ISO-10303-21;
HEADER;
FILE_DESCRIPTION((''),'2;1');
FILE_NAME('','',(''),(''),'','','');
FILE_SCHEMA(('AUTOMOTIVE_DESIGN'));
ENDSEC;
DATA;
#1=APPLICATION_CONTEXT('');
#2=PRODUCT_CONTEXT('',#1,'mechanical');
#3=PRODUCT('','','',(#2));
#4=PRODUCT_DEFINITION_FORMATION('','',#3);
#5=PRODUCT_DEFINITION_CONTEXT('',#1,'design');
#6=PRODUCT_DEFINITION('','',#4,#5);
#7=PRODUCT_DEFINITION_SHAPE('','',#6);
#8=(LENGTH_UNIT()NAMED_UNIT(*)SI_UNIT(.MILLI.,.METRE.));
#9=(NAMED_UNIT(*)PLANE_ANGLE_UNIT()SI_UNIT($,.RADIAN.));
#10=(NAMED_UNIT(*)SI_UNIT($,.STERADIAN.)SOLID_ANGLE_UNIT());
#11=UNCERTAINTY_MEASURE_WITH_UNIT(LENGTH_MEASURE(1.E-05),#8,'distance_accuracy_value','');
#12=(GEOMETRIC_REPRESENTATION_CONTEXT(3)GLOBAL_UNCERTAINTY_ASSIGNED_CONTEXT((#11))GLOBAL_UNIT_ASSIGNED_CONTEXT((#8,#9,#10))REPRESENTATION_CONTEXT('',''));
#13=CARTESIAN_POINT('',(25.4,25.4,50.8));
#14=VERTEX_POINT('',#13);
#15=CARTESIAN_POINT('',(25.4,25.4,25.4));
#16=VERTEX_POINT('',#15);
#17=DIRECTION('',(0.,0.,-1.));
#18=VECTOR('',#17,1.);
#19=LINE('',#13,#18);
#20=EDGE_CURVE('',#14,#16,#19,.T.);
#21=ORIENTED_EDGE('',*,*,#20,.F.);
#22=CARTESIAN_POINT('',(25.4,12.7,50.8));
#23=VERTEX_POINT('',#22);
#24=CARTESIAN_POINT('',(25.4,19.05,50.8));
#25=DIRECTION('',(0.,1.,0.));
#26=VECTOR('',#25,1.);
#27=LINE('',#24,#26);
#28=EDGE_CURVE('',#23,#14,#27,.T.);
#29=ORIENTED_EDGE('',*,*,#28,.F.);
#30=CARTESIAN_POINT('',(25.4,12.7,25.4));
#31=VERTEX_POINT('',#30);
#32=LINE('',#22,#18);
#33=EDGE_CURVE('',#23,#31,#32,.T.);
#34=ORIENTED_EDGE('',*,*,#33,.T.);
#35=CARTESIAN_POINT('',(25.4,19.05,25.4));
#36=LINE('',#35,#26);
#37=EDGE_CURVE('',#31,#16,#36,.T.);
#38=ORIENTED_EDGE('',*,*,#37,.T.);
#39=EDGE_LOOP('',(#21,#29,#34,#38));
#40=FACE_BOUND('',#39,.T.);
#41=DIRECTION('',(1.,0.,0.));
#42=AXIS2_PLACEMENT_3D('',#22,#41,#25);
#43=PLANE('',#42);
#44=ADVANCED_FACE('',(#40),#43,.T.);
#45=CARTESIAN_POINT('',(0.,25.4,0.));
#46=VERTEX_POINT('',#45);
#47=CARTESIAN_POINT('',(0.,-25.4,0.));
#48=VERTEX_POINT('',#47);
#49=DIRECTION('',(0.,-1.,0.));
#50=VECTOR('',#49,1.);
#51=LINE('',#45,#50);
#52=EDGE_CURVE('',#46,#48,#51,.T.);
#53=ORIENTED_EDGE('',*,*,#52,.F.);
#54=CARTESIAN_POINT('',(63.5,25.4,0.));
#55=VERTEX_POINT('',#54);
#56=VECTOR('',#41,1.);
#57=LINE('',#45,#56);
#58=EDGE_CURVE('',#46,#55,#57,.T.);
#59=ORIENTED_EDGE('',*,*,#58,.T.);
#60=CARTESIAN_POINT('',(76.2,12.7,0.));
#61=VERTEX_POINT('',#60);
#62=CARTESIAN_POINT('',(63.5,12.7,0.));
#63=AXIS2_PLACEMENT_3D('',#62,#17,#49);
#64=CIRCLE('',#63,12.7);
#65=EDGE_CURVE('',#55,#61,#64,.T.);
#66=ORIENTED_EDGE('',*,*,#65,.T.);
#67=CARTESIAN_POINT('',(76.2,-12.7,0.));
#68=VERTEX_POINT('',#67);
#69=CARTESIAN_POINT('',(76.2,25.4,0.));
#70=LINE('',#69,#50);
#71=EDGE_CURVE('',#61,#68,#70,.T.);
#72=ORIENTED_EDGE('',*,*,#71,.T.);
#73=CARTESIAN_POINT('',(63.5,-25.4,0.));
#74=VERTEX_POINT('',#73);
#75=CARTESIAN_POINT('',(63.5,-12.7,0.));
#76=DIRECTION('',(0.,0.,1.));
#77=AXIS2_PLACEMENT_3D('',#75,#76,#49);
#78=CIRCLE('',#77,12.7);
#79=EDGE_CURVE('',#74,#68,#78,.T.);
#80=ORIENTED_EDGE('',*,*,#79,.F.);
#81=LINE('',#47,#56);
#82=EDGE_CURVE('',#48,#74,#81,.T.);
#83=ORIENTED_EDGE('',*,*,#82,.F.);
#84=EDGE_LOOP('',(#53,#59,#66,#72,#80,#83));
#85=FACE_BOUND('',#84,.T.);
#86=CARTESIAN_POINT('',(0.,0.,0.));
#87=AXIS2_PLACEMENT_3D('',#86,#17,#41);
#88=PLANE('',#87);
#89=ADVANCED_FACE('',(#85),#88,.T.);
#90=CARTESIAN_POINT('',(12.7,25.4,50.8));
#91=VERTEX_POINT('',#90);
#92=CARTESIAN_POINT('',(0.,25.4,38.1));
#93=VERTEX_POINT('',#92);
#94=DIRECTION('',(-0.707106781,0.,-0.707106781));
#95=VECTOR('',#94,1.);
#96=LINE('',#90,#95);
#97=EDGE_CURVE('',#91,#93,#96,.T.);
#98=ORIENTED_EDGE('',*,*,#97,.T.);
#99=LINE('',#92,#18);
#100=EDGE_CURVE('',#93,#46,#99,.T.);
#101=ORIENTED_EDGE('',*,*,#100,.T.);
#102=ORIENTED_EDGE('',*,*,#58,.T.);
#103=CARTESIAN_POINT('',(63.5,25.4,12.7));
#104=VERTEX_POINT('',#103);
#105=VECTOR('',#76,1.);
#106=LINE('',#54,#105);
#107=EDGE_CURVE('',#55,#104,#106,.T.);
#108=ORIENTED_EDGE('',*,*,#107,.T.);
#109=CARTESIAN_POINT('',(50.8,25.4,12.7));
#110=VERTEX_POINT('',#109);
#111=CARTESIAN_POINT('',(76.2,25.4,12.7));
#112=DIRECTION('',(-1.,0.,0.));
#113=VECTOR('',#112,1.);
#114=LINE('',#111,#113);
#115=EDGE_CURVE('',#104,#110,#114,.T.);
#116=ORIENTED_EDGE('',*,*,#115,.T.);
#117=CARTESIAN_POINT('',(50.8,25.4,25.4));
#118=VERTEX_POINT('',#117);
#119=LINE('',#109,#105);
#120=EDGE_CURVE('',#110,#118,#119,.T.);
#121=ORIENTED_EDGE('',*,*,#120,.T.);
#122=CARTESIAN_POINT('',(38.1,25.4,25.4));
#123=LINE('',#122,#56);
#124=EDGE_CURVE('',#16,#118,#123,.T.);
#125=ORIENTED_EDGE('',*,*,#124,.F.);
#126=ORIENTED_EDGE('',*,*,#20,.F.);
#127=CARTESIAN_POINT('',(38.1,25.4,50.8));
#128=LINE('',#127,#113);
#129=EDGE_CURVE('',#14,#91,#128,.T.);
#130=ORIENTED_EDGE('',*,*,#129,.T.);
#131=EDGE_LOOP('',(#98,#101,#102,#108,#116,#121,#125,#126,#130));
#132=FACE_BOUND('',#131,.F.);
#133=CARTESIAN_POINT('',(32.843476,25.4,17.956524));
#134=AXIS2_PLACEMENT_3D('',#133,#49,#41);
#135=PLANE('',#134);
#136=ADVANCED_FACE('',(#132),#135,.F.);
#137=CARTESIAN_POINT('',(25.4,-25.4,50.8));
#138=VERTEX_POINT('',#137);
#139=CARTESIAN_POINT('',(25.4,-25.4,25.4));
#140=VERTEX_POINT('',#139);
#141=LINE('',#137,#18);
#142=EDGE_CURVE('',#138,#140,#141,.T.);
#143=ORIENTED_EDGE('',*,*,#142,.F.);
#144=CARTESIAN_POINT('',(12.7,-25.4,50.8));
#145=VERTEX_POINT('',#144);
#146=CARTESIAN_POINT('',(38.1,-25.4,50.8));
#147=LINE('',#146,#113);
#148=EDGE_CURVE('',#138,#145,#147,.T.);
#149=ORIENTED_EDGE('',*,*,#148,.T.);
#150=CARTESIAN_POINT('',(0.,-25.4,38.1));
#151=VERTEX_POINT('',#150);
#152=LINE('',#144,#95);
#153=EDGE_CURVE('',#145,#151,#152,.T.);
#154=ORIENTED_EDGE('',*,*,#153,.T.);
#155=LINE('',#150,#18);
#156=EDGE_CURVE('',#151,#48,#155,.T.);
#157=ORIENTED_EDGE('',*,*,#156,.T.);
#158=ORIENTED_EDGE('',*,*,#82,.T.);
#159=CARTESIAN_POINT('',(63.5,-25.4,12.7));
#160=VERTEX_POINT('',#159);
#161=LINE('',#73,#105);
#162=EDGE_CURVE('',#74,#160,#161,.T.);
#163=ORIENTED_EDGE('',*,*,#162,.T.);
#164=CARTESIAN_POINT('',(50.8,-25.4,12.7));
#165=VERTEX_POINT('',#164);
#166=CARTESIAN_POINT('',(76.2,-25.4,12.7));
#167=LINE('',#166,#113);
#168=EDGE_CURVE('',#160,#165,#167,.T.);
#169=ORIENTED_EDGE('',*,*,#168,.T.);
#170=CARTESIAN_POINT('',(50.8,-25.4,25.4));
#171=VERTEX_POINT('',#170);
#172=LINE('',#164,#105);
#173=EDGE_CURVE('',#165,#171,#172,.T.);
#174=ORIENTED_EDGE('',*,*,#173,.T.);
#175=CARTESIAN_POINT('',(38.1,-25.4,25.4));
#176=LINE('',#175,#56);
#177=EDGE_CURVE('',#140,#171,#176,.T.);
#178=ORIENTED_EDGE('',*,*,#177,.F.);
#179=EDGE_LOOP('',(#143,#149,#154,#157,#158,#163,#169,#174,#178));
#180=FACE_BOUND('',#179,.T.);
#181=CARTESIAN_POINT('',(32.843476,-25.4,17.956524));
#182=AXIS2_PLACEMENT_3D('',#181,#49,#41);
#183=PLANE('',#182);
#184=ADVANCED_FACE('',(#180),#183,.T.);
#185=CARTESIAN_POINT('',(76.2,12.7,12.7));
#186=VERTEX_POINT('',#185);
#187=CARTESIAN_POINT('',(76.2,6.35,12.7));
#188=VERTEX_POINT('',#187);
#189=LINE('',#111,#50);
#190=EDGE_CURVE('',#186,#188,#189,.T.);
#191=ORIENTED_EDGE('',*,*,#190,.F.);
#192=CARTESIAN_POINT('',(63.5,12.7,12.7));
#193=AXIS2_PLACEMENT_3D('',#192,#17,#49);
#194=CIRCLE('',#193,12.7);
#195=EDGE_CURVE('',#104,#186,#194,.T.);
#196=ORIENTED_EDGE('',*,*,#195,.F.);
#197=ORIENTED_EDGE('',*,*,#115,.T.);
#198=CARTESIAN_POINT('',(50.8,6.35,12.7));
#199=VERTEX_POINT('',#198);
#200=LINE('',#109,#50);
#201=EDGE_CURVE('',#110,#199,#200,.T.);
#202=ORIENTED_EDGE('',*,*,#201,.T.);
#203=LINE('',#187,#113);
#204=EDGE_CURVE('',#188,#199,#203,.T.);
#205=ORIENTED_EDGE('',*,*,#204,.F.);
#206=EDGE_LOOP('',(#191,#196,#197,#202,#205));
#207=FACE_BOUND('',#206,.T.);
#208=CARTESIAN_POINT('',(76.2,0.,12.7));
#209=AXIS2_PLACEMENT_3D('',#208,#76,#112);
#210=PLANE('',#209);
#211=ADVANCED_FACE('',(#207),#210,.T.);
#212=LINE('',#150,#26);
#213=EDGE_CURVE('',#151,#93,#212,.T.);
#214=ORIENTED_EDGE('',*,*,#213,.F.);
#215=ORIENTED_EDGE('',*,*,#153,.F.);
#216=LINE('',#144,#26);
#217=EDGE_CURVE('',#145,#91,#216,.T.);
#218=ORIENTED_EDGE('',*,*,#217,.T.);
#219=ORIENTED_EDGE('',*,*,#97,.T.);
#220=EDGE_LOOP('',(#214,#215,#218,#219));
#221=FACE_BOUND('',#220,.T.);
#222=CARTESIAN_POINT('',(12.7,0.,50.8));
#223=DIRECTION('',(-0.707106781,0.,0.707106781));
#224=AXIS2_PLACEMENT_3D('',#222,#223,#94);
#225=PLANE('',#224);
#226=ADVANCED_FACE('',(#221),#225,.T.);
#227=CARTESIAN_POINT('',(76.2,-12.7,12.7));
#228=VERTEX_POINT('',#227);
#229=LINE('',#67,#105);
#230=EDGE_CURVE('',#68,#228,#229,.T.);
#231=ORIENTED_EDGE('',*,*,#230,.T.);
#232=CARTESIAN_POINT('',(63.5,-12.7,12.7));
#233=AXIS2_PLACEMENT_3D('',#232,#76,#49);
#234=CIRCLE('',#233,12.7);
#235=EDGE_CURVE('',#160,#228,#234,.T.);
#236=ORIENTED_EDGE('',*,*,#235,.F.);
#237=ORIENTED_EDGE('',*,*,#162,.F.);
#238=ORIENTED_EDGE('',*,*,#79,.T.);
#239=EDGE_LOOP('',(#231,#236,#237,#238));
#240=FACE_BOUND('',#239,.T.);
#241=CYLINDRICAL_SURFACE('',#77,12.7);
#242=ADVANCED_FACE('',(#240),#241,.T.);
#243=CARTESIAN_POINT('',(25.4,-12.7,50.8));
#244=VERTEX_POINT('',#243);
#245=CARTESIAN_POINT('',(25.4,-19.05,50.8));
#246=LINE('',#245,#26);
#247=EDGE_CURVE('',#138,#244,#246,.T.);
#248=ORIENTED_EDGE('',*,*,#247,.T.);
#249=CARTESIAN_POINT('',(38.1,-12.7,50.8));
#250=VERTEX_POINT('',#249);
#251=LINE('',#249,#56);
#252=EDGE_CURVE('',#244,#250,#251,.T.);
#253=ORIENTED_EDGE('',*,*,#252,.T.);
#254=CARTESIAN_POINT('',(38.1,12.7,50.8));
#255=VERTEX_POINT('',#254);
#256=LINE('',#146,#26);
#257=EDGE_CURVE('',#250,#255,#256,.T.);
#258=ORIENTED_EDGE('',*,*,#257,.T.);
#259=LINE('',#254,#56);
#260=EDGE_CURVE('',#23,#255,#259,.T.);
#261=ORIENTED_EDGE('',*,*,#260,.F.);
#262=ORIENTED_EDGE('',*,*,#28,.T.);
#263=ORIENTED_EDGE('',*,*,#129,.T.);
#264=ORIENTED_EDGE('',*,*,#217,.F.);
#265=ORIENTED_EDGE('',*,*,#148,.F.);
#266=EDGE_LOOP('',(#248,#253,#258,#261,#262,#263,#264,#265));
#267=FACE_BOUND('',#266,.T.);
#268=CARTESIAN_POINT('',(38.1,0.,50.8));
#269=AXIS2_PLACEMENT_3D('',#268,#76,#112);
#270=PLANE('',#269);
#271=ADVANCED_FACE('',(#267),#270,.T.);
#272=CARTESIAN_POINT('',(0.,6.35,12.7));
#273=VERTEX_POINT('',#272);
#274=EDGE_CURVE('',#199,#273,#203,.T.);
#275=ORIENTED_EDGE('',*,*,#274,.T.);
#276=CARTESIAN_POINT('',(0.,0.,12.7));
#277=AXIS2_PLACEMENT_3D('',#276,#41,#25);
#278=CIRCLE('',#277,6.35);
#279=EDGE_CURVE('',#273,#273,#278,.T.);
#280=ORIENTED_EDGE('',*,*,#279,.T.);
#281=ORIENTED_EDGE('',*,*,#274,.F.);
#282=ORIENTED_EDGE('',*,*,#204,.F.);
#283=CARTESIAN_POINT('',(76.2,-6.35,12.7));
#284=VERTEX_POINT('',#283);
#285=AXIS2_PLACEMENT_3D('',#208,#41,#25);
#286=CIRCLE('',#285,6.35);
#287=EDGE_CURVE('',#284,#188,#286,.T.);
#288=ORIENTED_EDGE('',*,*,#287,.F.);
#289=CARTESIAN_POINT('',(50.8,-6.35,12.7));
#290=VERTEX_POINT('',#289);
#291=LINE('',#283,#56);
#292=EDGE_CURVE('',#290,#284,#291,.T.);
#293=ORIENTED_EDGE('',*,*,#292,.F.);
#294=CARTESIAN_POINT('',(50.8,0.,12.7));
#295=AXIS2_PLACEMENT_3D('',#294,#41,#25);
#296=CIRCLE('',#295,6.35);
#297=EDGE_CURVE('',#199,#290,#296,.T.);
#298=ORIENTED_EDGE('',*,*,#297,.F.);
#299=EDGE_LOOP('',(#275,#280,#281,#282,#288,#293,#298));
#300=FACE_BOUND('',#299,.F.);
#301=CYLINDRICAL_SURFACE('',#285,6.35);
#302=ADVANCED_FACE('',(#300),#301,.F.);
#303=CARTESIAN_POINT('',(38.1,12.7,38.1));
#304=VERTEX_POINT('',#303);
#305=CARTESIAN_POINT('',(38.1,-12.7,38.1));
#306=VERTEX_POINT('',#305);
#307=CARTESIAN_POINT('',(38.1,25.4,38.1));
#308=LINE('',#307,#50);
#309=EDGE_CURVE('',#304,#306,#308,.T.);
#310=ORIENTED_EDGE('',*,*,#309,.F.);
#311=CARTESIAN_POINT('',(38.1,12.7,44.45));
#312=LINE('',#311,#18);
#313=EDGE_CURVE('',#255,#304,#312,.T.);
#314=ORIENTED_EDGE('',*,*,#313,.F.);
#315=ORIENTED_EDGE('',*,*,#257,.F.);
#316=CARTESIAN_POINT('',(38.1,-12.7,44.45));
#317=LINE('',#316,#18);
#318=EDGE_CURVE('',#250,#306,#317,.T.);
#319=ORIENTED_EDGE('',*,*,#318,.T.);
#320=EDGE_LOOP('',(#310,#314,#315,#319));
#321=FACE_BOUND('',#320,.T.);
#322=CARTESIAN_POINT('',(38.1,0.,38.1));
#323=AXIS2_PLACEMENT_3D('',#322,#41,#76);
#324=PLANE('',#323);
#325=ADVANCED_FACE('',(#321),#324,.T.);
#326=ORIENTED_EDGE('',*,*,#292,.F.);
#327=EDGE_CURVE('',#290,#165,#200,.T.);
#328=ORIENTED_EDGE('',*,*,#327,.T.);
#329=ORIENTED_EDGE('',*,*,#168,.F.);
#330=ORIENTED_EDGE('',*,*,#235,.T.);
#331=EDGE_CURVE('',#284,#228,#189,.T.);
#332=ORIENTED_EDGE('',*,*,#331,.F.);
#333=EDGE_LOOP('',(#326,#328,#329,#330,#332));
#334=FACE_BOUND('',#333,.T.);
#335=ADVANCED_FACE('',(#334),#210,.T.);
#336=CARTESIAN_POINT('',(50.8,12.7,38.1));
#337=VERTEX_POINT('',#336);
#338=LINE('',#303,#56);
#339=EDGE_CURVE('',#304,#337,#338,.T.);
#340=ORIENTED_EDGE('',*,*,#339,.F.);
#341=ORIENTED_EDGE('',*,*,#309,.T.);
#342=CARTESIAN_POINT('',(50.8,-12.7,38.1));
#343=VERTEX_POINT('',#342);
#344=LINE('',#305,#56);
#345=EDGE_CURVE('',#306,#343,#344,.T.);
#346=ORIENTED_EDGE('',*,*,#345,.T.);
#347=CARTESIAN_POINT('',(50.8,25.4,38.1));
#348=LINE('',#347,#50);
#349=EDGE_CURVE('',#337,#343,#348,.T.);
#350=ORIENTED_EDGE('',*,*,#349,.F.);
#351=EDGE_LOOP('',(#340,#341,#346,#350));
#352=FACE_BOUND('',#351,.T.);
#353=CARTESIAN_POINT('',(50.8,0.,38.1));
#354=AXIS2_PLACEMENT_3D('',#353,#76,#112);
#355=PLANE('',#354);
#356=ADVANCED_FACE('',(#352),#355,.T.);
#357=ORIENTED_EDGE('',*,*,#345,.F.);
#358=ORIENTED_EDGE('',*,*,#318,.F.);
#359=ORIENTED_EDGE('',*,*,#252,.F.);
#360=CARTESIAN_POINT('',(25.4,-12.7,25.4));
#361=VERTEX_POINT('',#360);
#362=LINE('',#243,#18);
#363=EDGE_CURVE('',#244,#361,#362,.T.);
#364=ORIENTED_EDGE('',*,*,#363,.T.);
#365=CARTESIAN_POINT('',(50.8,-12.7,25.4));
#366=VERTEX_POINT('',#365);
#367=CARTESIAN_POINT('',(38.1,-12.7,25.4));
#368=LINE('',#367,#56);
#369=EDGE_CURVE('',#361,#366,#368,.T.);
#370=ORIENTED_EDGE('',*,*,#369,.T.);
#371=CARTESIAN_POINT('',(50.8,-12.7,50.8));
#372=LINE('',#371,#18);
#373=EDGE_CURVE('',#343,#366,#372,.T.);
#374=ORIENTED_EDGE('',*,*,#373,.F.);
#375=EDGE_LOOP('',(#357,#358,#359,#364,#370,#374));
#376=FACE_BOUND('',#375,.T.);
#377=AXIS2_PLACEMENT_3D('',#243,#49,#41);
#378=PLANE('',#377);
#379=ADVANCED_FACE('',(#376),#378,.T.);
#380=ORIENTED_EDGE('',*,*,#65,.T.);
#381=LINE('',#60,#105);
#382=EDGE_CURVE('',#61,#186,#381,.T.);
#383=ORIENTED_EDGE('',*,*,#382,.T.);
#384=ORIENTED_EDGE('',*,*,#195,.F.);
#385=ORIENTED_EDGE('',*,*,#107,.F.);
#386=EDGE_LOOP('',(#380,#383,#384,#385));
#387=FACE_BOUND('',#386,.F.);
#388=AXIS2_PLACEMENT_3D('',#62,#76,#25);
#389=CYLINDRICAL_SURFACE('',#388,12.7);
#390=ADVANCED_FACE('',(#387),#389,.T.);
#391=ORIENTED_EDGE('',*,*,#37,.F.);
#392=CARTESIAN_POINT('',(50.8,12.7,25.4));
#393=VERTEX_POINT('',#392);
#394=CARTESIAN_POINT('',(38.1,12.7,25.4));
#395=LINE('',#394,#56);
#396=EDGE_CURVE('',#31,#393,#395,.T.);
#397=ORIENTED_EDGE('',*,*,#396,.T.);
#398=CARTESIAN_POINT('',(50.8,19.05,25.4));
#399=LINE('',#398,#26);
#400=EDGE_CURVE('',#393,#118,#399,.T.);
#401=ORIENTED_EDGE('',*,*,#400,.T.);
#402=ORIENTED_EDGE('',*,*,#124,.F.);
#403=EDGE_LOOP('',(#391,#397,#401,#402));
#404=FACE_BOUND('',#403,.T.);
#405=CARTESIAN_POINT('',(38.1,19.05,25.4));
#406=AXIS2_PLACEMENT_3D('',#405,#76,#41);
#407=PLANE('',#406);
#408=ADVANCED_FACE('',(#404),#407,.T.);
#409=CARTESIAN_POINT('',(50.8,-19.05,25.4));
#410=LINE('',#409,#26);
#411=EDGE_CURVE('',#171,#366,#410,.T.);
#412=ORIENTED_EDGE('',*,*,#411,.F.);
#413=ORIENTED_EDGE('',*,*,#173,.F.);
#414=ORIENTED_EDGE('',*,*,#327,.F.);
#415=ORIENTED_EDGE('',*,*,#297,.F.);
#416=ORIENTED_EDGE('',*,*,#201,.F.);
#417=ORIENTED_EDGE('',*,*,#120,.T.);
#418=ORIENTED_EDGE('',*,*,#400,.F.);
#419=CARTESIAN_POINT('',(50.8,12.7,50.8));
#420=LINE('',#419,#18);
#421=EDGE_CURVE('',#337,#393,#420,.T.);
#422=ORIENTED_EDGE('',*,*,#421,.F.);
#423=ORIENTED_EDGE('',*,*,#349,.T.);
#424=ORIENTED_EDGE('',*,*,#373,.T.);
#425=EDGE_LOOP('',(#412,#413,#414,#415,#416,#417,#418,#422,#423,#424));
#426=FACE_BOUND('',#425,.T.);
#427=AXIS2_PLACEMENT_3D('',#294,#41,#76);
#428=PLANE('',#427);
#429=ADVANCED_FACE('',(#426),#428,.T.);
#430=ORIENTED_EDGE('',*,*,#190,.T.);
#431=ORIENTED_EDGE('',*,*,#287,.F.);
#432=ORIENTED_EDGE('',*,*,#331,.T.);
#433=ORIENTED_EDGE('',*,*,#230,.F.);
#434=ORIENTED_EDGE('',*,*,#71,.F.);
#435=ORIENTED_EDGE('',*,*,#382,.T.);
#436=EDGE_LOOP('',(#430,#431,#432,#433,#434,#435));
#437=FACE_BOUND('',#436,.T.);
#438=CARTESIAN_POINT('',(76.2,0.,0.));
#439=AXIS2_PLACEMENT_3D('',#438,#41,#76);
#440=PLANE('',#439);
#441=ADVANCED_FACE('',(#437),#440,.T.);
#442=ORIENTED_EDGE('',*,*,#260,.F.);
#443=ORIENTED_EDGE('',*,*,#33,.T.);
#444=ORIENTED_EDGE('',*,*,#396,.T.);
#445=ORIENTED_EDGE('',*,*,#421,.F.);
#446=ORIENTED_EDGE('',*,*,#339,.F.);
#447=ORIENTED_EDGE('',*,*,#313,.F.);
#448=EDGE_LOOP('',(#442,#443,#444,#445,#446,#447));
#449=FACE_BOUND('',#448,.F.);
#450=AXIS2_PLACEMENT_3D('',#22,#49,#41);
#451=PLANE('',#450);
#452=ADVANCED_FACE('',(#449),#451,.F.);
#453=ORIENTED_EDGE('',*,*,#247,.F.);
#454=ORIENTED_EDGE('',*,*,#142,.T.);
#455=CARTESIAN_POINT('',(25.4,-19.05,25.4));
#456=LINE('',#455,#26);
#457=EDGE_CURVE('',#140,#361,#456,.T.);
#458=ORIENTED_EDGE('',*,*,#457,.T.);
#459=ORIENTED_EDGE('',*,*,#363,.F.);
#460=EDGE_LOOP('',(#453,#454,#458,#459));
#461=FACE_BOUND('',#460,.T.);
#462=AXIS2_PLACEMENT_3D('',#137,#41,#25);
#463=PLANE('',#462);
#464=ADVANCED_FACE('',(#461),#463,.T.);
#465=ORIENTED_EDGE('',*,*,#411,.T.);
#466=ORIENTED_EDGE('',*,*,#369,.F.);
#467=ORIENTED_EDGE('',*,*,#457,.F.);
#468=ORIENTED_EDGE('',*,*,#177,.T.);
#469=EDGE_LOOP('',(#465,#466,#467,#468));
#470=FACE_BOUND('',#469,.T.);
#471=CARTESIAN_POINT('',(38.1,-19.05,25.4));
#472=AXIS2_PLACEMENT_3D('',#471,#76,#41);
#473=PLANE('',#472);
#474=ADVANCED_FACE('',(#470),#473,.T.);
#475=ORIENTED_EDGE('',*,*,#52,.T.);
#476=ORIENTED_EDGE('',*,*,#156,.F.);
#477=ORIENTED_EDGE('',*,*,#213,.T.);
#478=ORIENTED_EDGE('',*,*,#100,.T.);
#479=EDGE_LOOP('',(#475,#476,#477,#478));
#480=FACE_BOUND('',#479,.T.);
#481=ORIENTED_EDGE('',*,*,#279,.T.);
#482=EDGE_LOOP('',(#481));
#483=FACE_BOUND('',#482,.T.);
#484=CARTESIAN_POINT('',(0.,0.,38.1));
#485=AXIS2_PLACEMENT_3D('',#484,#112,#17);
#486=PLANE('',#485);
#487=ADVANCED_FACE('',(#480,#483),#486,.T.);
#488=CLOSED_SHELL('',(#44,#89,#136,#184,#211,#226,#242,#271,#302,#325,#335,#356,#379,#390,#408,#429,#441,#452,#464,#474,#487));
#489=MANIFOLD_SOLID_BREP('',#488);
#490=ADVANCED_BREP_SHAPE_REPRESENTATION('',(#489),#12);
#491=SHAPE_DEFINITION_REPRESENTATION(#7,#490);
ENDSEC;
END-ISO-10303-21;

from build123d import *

# Parameters (mm, degrees)
F1_DEPTH = 25.4
F2_W     = 25.4
F2_H     = 12.7
F3_DEPTH = 25.4
F4_R     = 6.35
F5_DEPTH = 76.201
F6_R     = 12.7


with BuildPart() as f1:
    # F0 (on Front) → F1 (new body, symmetric)
    with BuildSketch(Plane.XZ):
        Polygon((0, 38.1), (0, 0), (76.2, 0), (76.2, 12.7), (50.8, 12.7), (50.8, 25.4), (25.4, 25.4), (25.4, 50.8), (12.7, 50.8), align=None)
        Polygon((38.1, 50.8), (25.4, 50.8), (25.4, 25.4), (50.8, 25.4), (50.8, 38.1), (38.1, 38.1), align=None)
    extrude(amount=F1_DEPTH, both=True)

    # F2 (on face) → F3 (cut)
    with BuildSketch(Plane.XY.offset(50.8)):
        with Locations((38.1, 19.05)):
            Rectangle(F2_W, F2_H)
        with Locations((38.1, -19.05)):
            Rectangle(F2_W, F2_H)
    extrude(amount=-F3_DEPTH, mode=Mode.SUBTRACT)

    # F4 (on face) → F5 (cut, through all)
    with BuildSketch(Plane.YZ.offset(76.2)):
        with Locations((0, 12.7)):
            Circle(F4_R)
    extrude(amount=-F5_DEPTH, mode=Mode.SUBTRACT)

    # F6
    f6_edges = [f1.edges().sort_by_distance(p)[0] for p in [
        (76.2, -25.4, 6.35),
        (76.2, 25.4, 6.35),
    ]]
    fillet(f6_edges, radius=F6_R)


solid = f1.part
